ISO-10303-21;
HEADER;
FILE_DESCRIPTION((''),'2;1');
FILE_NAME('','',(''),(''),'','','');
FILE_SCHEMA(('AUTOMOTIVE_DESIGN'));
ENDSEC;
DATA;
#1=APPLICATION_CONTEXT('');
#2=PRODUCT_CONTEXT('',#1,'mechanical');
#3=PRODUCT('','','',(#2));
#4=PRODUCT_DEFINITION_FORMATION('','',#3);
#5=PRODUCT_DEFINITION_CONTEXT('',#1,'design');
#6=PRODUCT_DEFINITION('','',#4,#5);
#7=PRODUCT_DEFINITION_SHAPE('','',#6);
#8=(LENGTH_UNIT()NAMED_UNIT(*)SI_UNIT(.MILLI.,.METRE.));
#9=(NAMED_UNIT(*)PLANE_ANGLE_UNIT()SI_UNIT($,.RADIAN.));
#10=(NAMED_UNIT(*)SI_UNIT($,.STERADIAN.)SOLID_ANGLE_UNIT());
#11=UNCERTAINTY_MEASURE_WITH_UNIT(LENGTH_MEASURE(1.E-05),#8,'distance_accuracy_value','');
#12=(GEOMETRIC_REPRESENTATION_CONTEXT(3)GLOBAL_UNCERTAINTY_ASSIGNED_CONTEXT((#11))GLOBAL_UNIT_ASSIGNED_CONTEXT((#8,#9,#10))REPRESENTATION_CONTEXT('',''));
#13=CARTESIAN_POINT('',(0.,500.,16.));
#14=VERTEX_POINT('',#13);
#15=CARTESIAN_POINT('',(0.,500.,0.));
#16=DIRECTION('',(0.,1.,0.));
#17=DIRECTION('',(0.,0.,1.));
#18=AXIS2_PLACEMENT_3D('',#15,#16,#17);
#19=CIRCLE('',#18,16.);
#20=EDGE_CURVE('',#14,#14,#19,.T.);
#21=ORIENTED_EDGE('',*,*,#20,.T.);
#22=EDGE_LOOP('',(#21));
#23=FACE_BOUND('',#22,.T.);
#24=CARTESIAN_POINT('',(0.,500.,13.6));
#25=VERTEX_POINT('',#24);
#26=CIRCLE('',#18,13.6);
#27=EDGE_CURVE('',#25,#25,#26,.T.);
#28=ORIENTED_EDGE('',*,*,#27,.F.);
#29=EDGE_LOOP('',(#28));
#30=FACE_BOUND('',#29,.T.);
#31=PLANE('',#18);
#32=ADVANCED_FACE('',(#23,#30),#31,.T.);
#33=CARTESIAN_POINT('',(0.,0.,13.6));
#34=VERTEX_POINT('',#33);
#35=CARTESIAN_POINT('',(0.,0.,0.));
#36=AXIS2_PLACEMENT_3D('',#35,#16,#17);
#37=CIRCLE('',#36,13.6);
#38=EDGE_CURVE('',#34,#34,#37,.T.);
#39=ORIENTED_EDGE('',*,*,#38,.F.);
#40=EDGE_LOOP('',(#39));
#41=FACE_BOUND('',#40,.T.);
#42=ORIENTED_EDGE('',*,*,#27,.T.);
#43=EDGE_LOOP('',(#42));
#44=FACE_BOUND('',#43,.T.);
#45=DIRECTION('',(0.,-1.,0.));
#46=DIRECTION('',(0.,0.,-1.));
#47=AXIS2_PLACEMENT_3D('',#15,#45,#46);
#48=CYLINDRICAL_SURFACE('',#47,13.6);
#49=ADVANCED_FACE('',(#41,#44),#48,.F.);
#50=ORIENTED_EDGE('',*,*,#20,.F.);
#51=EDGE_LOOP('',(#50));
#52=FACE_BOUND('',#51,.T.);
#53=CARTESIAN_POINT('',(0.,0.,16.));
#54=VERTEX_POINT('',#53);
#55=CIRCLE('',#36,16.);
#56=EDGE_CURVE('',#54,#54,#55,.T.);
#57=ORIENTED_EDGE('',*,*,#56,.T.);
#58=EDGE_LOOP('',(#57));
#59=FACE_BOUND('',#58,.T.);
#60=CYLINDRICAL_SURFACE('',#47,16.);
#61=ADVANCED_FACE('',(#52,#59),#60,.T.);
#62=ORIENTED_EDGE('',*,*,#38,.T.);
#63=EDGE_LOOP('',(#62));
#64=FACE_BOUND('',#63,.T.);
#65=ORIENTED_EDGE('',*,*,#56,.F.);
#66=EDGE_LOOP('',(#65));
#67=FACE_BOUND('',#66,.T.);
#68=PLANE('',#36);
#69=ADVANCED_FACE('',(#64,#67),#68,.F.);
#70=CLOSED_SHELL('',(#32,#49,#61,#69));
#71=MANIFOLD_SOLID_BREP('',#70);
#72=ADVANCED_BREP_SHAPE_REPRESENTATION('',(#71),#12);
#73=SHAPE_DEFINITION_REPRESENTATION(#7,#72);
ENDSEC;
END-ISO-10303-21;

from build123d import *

# Parameters (mm, degrees)
SKETCH_1_R      = 16
SKETCH_1_R_2    = 13.6
EXTRUDE_1_DEPTH = 500


with BuildPart() as part:
    # 草图1 → 凸台-拉伸1 (new body)
    with BuildSketch(Plane(origin=(0, 0, 0), x_dir=(1, 0, 0), z_dir=(0, 1, 0))):
        with Locations(Location((0, 0, 0), (0, 0, 270))):
            Circle(SKETCH_1_R)
        with Locations(Location((0, 0, 0), (0, 0, 270))):
            Circle(SKETCH_1_R_2, mode=Mode.SUBTRACT)
    extrude(amount=EXTRUDE_1_DEPTH)


solid = part.part
